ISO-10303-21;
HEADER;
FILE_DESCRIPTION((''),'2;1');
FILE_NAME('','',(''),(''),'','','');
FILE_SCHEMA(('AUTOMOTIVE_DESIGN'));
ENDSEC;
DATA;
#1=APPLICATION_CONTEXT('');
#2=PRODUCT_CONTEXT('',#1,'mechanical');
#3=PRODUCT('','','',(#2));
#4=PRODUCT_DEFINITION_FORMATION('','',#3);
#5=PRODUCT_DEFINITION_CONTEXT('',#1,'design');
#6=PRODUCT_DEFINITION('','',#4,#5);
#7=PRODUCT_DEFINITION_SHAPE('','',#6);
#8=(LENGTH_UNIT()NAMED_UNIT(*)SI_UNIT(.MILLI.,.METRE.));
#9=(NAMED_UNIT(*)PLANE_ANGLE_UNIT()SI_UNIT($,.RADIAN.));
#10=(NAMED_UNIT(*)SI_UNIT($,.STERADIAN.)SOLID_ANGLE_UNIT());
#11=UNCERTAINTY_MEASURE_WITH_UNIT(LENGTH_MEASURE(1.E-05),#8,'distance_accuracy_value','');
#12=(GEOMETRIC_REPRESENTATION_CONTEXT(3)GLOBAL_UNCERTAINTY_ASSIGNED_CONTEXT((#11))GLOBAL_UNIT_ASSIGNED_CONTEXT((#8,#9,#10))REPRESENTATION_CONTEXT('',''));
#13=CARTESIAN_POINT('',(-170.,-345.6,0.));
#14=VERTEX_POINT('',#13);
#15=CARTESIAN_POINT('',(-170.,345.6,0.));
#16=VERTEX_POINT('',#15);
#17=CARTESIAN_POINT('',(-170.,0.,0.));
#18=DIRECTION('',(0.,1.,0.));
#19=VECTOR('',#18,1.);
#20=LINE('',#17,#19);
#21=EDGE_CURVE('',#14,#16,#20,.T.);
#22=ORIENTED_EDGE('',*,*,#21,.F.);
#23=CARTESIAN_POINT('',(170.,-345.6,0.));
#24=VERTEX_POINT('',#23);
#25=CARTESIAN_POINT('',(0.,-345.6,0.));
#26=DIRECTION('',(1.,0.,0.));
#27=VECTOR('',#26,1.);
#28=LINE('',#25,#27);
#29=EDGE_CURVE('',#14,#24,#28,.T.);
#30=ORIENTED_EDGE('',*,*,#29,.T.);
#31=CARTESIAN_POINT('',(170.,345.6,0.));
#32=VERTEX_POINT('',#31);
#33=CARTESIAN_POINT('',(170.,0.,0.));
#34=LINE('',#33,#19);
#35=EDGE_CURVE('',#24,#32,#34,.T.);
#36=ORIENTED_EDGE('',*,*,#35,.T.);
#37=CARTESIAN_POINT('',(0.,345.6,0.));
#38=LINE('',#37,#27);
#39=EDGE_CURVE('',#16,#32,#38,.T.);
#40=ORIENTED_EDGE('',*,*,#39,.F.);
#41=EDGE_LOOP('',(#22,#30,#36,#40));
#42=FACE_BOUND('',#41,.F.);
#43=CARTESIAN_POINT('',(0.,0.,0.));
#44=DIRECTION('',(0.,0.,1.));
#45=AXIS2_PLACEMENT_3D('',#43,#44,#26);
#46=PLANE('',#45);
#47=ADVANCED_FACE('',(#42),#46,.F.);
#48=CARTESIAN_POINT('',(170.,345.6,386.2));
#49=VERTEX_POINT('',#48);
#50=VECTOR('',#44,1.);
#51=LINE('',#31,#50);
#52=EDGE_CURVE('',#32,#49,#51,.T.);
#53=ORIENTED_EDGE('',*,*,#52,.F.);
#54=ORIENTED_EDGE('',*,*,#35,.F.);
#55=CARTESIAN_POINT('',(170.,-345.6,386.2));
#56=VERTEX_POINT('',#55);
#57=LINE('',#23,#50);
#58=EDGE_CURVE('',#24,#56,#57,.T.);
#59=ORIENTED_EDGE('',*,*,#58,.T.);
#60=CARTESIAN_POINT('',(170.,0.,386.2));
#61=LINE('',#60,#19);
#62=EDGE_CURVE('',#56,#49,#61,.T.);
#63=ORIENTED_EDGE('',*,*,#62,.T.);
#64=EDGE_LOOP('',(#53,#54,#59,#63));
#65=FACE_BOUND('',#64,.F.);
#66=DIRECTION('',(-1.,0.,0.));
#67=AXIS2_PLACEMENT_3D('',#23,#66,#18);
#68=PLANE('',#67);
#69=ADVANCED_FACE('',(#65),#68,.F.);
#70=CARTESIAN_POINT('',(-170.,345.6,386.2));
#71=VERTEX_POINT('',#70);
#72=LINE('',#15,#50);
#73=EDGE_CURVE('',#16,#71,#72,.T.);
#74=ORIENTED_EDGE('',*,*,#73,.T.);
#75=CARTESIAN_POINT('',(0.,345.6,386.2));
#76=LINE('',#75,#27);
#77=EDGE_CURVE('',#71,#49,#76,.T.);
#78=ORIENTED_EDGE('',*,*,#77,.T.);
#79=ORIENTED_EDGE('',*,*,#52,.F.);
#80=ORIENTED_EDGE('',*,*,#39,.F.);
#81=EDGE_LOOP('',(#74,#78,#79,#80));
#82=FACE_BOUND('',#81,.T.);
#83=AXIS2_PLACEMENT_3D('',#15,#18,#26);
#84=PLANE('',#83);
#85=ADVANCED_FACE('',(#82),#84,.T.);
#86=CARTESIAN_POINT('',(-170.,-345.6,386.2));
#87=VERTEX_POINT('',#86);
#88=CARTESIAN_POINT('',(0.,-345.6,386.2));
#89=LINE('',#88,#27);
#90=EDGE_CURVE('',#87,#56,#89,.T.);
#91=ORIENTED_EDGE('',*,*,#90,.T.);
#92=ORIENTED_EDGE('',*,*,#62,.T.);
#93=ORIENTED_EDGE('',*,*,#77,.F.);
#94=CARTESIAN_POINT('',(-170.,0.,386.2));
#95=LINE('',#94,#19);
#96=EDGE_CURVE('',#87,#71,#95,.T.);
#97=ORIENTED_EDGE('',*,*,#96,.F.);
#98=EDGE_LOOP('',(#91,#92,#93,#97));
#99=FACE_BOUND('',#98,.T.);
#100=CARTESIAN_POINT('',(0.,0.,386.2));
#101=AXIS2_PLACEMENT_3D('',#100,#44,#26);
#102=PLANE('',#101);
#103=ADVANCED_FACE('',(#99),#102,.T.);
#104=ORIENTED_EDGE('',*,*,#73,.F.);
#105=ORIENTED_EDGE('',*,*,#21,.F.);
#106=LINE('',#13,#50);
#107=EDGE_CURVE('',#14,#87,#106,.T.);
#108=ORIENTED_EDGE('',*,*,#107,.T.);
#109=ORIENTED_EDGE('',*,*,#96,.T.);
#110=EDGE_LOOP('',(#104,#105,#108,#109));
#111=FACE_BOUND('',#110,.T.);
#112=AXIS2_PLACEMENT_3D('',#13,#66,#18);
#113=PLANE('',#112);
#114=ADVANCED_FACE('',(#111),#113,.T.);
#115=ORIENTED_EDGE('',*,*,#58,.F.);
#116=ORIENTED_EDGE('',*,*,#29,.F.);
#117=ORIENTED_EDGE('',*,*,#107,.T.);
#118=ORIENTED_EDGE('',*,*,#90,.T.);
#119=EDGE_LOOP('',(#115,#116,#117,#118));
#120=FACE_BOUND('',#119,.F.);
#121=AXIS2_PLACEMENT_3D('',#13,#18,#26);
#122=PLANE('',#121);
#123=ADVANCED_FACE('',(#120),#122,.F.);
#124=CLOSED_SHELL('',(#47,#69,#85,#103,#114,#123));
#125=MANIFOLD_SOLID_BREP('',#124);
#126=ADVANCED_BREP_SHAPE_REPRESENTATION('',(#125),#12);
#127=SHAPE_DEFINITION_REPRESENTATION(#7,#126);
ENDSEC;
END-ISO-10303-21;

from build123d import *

# Parameters (mm, degrees)
SKETCH_W      = 340
SKETCH_H      = 691.2
PAD_DEPTH     = 386.2
SKETCH001_R   = 17.4
SKETCH001_R_2 = 61.5
SKETCH001_R_3 = 127
SKETCH001_W   = 60
SKETCH001_H   = 131
PAD001_DEPTH  = 10


with BuildPart() as part:
    # Sketch → Pad (new body)
    with BuildSketch(Plane.XY):
        Rectangle(SKETCH_W, SKETCH_H)
    extrude(amount=PAD_DEPTH)

    # Sketch001 (on Face2 of Pad) → Pad001 (join)
    with BuildSketch(Plane.YZ.offset(170)):
        with Locations((-223.1, 294.3)):
            Circle(SKETCH001_R)
        with Locations((-223.1, 122.5)):
            Circle(SKETCH001_R_2)
        with Locations((72.5, 193.1)):
            Circle(SKETCH001_R_3)
        with Locations((295.6, 85.5)):
            Rectangle(SKETCH001_W, SKETCH001_H)
    extrude(amount=-PAD001_DEPTH)


solid = part.part
